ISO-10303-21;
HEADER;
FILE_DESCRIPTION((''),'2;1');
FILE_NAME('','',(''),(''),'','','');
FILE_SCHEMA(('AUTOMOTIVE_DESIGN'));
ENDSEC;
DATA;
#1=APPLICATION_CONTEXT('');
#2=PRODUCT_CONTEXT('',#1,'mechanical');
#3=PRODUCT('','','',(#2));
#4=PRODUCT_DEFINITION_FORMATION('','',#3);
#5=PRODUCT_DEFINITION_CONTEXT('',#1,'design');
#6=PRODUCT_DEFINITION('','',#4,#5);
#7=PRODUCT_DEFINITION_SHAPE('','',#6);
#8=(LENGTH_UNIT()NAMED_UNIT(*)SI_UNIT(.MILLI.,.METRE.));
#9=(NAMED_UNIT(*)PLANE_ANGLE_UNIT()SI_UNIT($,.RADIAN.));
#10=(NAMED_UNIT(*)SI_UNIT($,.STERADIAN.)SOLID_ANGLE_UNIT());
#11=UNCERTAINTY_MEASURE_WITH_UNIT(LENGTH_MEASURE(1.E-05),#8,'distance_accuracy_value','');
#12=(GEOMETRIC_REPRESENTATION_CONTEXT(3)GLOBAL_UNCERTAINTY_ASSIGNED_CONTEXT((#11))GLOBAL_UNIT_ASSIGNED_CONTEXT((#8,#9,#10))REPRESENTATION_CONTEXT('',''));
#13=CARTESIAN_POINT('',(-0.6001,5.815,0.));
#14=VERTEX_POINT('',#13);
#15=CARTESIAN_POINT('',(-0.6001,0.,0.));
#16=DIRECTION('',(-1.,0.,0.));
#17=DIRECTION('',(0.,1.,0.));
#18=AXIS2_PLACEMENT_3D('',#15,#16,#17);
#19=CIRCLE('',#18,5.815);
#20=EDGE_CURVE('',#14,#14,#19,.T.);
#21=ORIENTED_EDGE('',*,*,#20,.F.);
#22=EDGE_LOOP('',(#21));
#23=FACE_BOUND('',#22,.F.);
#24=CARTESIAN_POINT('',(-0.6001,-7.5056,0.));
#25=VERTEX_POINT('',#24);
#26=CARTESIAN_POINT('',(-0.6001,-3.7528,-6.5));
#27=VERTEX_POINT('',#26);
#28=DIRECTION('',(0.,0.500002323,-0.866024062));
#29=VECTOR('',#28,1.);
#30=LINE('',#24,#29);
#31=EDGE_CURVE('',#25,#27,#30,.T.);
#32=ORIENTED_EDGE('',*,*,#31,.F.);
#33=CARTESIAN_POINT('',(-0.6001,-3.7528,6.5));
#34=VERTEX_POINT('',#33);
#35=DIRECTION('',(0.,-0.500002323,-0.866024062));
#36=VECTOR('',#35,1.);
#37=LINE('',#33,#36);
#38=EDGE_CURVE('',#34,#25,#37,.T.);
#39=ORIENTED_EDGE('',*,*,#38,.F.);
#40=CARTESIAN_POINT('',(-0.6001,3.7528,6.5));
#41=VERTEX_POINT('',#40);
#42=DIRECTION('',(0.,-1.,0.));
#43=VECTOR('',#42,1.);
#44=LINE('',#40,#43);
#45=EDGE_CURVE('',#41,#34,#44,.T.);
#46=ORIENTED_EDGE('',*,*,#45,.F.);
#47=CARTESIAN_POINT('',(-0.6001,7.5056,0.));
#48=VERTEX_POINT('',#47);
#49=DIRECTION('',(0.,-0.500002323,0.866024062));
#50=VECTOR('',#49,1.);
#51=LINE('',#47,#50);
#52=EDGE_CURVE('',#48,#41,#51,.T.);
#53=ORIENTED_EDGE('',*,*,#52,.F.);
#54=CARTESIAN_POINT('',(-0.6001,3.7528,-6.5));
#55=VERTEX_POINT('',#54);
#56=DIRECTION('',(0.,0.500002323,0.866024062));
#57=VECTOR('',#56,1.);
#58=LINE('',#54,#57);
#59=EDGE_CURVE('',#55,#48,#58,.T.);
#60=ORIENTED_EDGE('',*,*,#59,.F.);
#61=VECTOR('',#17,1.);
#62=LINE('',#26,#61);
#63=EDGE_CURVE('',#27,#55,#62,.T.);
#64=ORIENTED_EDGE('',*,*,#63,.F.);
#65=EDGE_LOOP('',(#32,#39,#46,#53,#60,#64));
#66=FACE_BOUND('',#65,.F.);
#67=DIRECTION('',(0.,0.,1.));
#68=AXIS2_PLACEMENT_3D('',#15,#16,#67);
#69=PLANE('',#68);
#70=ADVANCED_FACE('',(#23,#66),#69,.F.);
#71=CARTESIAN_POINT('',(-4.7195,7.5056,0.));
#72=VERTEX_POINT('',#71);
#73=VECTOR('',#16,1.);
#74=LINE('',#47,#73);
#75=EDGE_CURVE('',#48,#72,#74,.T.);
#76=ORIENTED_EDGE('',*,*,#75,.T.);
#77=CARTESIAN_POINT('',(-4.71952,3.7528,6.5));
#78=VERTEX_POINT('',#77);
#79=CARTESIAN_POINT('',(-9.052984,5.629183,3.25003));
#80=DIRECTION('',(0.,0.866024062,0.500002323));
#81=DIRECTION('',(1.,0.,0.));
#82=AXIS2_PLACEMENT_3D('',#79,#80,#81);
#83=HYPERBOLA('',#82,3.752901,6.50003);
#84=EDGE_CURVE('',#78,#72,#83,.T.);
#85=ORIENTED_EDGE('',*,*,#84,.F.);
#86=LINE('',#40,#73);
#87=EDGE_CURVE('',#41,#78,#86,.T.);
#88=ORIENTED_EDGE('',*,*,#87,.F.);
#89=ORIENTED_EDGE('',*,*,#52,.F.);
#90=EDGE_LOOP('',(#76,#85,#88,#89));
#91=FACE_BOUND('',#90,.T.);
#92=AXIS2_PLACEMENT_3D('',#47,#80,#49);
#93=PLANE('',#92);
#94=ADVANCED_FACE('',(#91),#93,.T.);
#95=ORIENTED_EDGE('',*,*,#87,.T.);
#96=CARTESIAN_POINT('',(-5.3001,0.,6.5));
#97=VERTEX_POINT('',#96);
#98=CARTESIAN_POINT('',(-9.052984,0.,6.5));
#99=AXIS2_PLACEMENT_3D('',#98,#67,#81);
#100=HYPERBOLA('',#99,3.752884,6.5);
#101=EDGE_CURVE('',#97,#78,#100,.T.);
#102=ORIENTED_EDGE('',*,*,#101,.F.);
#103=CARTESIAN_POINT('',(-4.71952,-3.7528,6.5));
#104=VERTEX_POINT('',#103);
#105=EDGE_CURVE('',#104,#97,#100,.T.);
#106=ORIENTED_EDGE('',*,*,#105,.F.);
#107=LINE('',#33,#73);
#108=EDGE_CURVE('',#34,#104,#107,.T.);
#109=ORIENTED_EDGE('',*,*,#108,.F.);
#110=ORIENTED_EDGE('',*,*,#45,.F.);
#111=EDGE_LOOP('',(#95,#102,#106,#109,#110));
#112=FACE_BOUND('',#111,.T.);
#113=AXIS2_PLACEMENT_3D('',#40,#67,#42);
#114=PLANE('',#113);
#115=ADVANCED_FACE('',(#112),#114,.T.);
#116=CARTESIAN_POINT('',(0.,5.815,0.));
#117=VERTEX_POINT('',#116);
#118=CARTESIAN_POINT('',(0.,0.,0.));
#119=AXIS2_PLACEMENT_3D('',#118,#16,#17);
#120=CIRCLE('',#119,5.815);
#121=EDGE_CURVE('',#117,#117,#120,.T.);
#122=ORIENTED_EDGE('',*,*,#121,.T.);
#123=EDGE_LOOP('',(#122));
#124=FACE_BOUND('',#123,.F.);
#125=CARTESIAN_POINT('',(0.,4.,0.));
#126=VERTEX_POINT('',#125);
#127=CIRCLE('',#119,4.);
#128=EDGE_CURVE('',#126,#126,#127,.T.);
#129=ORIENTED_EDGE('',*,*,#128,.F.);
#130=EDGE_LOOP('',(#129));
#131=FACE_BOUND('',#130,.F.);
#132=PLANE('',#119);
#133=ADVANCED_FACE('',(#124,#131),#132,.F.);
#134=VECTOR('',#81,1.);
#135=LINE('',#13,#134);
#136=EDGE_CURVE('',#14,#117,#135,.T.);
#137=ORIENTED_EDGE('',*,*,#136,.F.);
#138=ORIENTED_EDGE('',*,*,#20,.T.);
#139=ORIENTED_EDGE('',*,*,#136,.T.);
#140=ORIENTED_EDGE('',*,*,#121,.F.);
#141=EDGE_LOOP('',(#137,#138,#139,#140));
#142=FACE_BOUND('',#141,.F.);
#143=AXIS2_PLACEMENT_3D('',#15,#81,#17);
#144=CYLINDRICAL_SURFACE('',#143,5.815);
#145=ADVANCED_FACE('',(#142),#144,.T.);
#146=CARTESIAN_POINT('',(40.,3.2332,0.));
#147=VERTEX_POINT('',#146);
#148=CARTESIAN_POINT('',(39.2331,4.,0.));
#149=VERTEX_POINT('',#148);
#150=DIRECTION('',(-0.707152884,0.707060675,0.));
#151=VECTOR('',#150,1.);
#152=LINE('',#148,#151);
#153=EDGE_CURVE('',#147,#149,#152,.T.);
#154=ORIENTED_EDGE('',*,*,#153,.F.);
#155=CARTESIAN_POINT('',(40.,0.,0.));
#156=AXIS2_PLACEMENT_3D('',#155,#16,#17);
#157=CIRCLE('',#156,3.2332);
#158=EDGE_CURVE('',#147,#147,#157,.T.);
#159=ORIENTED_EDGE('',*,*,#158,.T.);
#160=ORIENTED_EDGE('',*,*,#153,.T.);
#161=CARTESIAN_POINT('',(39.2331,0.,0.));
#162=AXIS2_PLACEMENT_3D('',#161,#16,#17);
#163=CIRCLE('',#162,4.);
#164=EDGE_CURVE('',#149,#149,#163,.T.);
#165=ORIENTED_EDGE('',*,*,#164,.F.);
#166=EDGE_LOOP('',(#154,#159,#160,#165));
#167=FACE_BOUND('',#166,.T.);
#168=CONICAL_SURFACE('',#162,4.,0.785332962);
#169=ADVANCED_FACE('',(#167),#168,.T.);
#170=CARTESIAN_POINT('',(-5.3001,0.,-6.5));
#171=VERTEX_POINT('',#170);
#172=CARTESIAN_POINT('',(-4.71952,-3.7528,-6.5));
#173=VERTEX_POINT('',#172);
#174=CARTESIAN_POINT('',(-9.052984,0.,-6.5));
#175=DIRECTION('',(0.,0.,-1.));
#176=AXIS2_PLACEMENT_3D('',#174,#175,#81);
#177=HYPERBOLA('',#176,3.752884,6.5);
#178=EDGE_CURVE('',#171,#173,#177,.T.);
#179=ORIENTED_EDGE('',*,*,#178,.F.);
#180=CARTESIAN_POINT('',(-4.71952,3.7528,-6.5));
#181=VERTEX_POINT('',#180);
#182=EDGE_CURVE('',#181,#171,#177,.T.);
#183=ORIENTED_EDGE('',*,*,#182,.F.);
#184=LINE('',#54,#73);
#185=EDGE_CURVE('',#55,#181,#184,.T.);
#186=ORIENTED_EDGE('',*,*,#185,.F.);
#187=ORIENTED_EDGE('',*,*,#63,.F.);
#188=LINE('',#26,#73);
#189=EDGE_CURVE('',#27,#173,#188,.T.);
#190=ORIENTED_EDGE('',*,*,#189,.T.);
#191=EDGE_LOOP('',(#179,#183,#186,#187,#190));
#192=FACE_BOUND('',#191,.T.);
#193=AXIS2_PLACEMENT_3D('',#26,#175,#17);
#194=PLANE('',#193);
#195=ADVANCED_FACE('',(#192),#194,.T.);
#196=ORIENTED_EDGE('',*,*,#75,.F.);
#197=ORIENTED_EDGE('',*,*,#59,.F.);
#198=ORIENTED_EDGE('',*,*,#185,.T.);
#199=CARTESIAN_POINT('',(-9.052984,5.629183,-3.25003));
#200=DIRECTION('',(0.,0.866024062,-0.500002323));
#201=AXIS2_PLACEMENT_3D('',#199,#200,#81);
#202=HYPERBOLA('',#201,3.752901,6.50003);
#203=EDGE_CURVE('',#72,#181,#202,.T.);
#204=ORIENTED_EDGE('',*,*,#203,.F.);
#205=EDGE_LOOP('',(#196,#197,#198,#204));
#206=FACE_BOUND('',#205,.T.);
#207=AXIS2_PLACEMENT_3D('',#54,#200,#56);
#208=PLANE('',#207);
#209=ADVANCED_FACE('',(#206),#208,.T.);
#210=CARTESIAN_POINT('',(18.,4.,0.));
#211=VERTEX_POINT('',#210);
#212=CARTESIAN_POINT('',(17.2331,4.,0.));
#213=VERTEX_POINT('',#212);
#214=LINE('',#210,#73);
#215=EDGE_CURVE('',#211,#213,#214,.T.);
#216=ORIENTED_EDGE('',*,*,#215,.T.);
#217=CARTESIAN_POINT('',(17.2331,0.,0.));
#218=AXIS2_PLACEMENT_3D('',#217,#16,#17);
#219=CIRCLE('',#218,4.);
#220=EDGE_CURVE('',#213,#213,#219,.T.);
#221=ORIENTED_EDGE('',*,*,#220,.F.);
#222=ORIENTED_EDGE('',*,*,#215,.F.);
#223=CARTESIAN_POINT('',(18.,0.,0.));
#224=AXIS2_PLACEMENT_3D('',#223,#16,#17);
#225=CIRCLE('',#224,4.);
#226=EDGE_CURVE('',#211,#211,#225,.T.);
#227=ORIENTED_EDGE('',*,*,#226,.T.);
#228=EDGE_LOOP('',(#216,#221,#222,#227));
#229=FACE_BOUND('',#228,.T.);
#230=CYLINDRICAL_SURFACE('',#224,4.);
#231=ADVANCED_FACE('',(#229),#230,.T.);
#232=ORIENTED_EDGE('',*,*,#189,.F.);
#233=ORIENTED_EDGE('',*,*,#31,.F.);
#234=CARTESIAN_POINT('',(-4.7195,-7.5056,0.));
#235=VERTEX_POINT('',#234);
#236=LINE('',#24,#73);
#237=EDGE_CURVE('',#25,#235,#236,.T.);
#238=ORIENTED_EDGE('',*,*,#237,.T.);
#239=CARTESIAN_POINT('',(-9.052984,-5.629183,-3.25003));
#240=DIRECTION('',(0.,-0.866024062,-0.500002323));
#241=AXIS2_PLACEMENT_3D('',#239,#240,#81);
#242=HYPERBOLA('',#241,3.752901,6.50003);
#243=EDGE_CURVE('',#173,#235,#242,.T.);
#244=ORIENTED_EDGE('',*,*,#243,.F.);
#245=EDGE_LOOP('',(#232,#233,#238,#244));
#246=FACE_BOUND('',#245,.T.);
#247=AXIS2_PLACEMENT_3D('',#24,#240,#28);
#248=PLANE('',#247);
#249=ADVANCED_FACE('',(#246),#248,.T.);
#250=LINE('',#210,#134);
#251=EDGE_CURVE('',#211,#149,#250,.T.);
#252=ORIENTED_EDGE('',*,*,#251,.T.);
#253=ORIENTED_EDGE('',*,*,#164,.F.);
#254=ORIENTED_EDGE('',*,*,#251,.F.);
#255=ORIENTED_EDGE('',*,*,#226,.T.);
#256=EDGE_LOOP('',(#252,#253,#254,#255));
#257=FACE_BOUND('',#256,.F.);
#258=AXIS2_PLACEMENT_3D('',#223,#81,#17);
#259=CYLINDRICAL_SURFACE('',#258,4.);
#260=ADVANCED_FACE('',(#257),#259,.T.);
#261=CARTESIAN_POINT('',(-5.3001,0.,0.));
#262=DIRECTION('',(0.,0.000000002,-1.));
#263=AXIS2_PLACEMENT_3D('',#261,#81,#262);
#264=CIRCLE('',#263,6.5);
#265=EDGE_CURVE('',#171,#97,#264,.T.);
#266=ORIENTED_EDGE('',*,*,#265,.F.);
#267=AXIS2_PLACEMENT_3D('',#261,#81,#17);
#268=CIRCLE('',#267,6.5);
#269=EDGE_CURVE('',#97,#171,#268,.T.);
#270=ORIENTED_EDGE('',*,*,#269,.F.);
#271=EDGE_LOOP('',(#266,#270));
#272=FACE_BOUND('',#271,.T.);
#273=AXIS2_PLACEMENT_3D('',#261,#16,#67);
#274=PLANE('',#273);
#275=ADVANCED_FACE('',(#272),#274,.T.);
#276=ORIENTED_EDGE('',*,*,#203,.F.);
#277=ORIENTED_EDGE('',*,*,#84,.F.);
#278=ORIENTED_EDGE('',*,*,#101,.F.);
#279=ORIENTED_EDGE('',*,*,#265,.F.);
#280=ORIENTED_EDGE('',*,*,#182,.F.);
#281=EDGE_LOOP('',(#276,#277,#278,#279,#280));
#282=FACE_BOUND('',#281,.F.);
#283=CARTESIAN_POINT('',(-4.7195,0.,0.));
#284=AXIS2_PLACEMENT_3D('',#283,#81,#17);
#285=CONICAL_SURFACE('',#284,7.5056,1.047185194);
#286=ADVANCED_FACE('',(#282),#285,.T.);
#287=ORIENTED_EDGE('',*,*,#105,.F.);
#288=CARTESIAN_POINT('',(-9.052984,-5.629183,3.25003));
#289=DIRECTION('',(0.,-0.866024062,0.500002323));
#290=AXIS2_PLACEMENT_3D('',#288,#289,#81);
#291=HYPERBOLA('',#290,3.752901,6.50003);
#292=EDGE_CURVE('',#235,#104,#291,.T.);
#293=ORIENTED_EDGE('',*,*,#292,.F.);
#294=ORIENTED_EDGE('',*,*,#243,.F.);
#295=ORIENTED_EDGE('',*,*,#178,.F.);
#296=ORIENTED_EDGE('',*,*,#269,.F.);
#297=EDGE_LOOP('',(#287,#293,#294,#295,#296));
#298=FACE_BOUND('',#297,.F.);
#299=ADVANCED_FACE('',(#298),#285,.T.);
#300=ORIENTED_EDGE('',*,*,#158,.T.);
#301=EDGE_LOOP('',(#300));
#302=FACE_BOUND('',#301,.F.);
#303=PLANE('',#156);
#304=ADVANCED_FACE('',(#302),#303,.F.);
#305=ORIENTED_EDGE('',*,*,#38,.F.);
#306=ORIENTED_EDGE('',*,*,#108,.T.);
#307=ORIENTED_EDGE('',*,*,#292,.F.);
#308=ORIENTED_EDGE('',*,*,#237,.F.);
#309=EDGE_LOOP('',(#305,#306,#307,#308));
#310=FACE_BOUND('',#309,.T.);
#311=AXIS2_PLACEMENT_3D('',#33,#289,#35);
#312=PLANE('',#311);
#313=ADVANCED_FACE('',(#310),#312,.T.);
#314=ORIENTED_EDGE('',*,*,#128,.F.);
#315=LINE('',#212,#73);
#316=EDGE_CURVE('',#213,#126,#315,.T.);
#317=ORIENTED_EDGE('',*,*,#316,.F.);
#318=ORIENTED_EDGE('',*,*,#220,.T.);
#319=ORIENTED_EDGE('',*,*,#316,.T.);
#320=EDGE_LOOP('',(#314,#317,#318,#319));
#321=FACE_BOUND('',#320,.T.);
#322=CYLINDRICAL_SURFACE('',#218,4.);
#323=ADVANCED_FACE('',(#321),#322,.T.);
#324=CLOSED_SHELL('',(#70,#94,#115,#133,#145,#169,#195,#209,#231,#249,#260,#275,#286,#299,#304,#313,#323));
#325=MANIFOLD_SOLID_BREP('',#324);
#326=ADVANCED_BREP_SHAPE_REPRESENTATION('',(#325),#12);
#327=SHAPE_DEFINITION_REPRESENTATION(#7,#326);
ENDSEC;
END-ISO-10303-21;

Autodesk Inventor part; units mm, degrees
ref_plane "YZ Plane" through (0, 0, 0) normal (1, 0, 0) x (0, 1, 0)
ref_plane "XZ Plane" through (0, 0, 0) normal (0, 1, 0) x (-1, 0, 0)
sketch "Sketch1" plane through (0, 0, 0) normal (0, 0, 1) x (1, 0, 0)
  line L0 (0, 5.815) -> (0, 4)
  line L1 (18, 4) -> (40, 4)
  line L2 (40, 4) -> (40, 0)
  line L3 (40, 0) -> (-0.6001, 0)
  line L4 (-8.7201, 0) -> (48.12, 0) projected
  line L5 (-0.6001, 0) -> (-0.6001, 5.815)
  line L6 (-0.6001, 5.815) -> (0, 5.815)
  line L7 (18, 4) -> (17.2331, 4)
  line L8 (17.2331, 4) -> (0, 4)
  line L9 (0, -1.163) -> (0, 6.978) projected
  dimension "d0" = 40
  dimension "d1" = 22
  dimension "d2" = 8
  dimension "d9" = 0.6001
  dimension "d10" = 11.63
  dimension "d13" = 0.7669
  dimension "d14" = 8
revolve "Body" add sketch "Sketch1" angle 360 about axis through (40, 0, 0) along (-1, 0, 0)
sketch "Sketch2" plane through (-0.6001, 0, 0) normal (-1, 0, 0) x (0, 0, 1)
  line L0 (0, 7.5056) -> (6.5, 3.7528)
  line L1 (6.5, 3.7528) -> (6.5, -3.7528)
  line L2 (6.5, -3.7528) -> (0, -7.5056)
  line L3 (0, -7.5056) -> (-6.5, -3.7528)
  line L4 (-6.5, -3.7528) -> (-6.5, 3.7528)
  line L5 (-6.5, 3.7528) -> (0, 7.5056)
  point P0 (0, 0)
  point P1 (0, 0)
  dimension "d11" = 13
extrude "Head" add sketch "Sketch2" along normal blind 4.7
sketch "Sketch4" plane through (0, 0, 0) normal (0, 0, 1) x (1, 0, 0)
  line L0 (-5.3001, 6.5) -> (-5.3001, 7.5056)
  line L1 (-5.3001, 7.5056) -> (-4.7195, 7.5056)
  line L2 (-4.7195, 7.5056) -> (-5.3001, 6.5)
  line L3 (-6.2401, 0) -> (0.3399, 0) projected
  line L4 (-0.6001, 7.5056) -> (-5.3001, 7.5056) projected
  line L5 (-5.3001, 3.7528) -> (-5.3001, 7.5056) projected
  dimension "d5" = 30
  dimension "d19" = 13
revolve "Chamfer1" cut sketch "Sketch4" angle 360 about axis through (-10, 0, 0) along (1, 0, 0)
thread "Thread" size "M8x1.25" class "6g" standard "ISO Metric profile" length 22
chamfer "Chamfer2" distance 0.7668 distance2 0.7669 1 edges at (40, -4, 0) measured on face at (40, 0.4453, 1.0204)
ref_plane "Work Plane1" through (1.525, 0, 0) normal (0, 0, 1) x (1, 0, 0)
equation "\"d0\" = NLG"
equation "\"d1\" = GEL"
equation "\"d2\" = GD"
equation "\"d10\" = SD2"
equation "\"d14\" = BDM"
equation "\"d11\" = SW"
equation "\"d3\" = KOH - SD"
equation "\"d5\" = ANG1"
equation "\"d19\" = SW0"
equation "\"d15\" = GEL"
equation "\"d6\" = -0.5 * SPD + 0.5 * GD"
equation "\"NLG\" = 40"
equation "\"GD\" = NND"
equation "\"BDM\" = NND"
equation "\"KOH\" = 5.3"
equation "\"GEL\" = 22"
equation "\"SW\" = 13"
equation "\"SW0\" = SW"
equation "\"SPD\" = NND - 1.2269 * PTC"
equation "\"SD2\" = 11.63"
equation "\"SD\" = 0.6"
equation "\"ANG1\" = 30deg"
equation "\"GAL\" = 0.61345 * PTC"
equation "\"GUL\" = 0.61345 * PTC"
equation "\"RR\" = 0.4"
equation "\"GD1\" = THREADDIA - 1.2269 * PTC"
equation "\"THREADDIA\" = 8"
equation "\"SDH\" = SD2"
equation "\"TOA\" = 30deg"
equation "\"PTC\" = 1.25"
equation "\"NND\" = 8"
equation "\"E0\" = 1.155 * SW"
properties part number "ISO 4014 - M8 x 40" material "Stainless Steel, 440C"
